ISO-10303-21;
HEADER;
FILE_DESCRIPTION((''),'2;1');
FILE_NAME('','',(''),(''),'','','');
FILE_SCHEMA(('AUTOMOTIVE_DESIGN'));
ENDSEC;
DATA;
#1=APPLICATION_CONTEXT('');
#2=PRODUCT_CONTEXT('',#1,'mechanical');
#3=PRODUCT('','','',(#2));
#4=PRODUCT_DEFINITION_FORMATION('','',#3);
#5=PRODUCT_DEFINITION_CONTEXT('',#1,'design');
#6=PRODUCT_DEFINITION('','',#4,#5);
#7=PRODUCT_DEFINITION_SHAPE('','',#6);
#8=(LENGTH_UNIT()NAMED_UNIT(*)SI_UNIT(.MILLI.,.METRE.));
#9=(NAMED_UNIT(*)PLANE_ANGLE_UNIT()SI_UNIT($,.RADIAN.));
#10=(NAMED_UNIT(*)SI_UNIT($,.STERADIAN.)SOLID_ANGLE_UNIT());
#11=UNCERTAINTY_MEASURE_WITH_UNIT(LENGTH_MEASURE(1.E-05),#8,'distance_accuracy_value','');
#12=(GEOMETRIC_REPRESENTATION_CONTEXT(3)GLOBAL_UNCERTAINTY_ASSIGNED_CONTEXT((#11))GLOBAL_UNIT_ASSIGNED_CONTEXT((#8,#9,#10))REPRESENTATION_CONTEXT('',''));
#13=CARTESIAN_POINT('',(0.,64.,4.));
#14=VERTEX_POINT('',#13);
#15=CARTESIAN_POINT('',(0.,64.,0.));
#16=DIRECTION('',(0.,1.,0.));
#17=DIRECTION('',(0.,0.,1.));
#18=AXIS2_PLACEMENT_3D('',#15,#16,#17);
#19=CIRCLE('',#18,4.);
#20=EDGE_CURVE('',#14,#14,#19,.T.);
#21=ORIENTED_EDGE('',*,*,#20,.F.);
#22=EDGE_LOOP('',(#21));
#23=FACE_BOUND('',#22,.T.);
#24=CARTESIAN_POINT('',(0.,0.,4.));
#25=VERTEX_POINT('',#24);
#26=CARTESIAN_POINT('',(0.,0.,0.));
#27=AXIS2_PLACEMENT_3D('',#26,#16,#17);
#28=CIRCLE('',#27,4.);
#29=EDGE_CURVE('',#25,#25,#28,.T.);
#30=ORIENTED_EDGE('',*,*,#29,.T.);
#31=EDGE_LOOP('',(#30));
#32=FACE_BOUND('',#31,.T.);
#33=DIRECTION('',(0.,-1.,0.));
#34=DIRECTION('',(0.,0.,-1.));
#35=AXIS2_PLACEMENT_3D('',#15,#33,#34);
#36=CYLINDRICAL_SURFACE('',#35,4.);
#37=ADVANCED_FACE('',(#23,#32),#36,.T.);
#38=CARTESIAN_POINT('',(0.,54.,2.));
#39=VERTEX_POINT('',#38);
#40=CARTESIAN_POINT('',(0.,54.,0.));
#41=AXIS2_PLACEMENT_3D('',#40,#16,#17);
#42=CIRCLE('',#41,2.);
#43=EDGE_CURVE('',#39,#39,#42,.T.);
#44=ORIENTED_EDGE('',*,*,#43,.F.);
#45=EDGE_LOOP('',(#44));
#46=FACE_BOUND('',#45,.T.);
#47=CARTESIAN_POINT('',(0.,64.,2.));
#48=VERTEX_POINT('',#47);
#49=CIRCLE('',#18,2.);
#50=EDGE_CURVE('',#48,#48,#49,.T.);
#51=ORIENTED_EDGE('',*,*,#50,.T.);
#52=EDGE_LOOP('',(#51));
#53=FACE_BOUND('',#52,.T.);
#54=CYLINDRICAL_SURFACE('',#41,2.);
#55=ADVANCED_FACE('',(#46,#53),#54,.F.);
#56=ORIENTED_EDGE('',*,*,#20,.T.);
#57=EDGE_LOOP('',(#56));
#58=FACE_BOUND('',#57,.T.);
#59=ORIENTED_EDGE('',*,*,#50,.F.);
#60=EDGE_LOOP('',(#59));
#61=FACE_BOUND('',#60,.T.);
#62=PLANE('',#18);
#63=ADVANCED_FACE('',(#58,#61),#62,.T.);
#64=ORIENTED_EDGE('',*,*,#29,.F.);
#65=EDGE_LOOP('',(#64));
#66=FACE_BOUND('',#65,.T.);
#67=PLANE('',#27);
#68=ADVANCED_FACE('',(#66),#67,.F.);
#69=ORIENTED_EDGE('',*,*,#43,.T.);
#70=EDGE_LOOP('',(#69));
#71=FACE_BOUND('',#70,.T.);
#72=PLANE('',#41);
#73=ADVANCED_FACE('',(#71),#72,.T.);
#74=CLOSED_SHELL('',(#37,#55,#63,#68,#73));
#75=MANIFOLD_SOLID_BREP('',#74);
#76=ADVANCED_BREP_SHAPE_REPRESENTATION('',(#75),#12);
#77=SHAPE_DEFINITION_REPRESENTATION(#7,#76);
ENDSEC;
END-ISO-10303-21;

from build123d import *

# Parameters (mm, degrees)
SKETCH2_R           = 2
BOSS_EXTRUDE1_DEPTH = 32
SKETCH11_R          = 1
CUT_EXTRUDE3_DEPTH  = 5
SCALE1_SCALE        = 2


with BuildPart() as part:
    # Sketch2 → Boss-Extrude1 (new body)
    with BuildSketch(Plane(origin=(0, 0, 0), x_dir=(1, 0, 0), z_dir=(0, 1, 0))):
        with Locations(Location((0, 0, 0), (0, 0, 270))):
            Circle(SKETCH2_R)
    extrude(amount=BOSS_EXTRUDE1_DEPTH)

    # Sketch11 → Cut-Extrude3 (cut)
    with BuildSketch(Plane(origin=(0, 32, 0), x_dir=(1, 0, 0), z_dir=(0, 1, 0))):
        with Locations(Location((0, 0, 0), (0, 0, 270))):
            Circle(SKETCH11_R)
    extrude(amount=-CUT_EXTRUDE3_DEPTH, mode=Mode.SUBTRACT)


with BuildPart() as part_1:
    # Scale1: scaled about (0, 0, 0)
    add(part.part.scale(SCALE1_SCALE))


solid = part_1.part
